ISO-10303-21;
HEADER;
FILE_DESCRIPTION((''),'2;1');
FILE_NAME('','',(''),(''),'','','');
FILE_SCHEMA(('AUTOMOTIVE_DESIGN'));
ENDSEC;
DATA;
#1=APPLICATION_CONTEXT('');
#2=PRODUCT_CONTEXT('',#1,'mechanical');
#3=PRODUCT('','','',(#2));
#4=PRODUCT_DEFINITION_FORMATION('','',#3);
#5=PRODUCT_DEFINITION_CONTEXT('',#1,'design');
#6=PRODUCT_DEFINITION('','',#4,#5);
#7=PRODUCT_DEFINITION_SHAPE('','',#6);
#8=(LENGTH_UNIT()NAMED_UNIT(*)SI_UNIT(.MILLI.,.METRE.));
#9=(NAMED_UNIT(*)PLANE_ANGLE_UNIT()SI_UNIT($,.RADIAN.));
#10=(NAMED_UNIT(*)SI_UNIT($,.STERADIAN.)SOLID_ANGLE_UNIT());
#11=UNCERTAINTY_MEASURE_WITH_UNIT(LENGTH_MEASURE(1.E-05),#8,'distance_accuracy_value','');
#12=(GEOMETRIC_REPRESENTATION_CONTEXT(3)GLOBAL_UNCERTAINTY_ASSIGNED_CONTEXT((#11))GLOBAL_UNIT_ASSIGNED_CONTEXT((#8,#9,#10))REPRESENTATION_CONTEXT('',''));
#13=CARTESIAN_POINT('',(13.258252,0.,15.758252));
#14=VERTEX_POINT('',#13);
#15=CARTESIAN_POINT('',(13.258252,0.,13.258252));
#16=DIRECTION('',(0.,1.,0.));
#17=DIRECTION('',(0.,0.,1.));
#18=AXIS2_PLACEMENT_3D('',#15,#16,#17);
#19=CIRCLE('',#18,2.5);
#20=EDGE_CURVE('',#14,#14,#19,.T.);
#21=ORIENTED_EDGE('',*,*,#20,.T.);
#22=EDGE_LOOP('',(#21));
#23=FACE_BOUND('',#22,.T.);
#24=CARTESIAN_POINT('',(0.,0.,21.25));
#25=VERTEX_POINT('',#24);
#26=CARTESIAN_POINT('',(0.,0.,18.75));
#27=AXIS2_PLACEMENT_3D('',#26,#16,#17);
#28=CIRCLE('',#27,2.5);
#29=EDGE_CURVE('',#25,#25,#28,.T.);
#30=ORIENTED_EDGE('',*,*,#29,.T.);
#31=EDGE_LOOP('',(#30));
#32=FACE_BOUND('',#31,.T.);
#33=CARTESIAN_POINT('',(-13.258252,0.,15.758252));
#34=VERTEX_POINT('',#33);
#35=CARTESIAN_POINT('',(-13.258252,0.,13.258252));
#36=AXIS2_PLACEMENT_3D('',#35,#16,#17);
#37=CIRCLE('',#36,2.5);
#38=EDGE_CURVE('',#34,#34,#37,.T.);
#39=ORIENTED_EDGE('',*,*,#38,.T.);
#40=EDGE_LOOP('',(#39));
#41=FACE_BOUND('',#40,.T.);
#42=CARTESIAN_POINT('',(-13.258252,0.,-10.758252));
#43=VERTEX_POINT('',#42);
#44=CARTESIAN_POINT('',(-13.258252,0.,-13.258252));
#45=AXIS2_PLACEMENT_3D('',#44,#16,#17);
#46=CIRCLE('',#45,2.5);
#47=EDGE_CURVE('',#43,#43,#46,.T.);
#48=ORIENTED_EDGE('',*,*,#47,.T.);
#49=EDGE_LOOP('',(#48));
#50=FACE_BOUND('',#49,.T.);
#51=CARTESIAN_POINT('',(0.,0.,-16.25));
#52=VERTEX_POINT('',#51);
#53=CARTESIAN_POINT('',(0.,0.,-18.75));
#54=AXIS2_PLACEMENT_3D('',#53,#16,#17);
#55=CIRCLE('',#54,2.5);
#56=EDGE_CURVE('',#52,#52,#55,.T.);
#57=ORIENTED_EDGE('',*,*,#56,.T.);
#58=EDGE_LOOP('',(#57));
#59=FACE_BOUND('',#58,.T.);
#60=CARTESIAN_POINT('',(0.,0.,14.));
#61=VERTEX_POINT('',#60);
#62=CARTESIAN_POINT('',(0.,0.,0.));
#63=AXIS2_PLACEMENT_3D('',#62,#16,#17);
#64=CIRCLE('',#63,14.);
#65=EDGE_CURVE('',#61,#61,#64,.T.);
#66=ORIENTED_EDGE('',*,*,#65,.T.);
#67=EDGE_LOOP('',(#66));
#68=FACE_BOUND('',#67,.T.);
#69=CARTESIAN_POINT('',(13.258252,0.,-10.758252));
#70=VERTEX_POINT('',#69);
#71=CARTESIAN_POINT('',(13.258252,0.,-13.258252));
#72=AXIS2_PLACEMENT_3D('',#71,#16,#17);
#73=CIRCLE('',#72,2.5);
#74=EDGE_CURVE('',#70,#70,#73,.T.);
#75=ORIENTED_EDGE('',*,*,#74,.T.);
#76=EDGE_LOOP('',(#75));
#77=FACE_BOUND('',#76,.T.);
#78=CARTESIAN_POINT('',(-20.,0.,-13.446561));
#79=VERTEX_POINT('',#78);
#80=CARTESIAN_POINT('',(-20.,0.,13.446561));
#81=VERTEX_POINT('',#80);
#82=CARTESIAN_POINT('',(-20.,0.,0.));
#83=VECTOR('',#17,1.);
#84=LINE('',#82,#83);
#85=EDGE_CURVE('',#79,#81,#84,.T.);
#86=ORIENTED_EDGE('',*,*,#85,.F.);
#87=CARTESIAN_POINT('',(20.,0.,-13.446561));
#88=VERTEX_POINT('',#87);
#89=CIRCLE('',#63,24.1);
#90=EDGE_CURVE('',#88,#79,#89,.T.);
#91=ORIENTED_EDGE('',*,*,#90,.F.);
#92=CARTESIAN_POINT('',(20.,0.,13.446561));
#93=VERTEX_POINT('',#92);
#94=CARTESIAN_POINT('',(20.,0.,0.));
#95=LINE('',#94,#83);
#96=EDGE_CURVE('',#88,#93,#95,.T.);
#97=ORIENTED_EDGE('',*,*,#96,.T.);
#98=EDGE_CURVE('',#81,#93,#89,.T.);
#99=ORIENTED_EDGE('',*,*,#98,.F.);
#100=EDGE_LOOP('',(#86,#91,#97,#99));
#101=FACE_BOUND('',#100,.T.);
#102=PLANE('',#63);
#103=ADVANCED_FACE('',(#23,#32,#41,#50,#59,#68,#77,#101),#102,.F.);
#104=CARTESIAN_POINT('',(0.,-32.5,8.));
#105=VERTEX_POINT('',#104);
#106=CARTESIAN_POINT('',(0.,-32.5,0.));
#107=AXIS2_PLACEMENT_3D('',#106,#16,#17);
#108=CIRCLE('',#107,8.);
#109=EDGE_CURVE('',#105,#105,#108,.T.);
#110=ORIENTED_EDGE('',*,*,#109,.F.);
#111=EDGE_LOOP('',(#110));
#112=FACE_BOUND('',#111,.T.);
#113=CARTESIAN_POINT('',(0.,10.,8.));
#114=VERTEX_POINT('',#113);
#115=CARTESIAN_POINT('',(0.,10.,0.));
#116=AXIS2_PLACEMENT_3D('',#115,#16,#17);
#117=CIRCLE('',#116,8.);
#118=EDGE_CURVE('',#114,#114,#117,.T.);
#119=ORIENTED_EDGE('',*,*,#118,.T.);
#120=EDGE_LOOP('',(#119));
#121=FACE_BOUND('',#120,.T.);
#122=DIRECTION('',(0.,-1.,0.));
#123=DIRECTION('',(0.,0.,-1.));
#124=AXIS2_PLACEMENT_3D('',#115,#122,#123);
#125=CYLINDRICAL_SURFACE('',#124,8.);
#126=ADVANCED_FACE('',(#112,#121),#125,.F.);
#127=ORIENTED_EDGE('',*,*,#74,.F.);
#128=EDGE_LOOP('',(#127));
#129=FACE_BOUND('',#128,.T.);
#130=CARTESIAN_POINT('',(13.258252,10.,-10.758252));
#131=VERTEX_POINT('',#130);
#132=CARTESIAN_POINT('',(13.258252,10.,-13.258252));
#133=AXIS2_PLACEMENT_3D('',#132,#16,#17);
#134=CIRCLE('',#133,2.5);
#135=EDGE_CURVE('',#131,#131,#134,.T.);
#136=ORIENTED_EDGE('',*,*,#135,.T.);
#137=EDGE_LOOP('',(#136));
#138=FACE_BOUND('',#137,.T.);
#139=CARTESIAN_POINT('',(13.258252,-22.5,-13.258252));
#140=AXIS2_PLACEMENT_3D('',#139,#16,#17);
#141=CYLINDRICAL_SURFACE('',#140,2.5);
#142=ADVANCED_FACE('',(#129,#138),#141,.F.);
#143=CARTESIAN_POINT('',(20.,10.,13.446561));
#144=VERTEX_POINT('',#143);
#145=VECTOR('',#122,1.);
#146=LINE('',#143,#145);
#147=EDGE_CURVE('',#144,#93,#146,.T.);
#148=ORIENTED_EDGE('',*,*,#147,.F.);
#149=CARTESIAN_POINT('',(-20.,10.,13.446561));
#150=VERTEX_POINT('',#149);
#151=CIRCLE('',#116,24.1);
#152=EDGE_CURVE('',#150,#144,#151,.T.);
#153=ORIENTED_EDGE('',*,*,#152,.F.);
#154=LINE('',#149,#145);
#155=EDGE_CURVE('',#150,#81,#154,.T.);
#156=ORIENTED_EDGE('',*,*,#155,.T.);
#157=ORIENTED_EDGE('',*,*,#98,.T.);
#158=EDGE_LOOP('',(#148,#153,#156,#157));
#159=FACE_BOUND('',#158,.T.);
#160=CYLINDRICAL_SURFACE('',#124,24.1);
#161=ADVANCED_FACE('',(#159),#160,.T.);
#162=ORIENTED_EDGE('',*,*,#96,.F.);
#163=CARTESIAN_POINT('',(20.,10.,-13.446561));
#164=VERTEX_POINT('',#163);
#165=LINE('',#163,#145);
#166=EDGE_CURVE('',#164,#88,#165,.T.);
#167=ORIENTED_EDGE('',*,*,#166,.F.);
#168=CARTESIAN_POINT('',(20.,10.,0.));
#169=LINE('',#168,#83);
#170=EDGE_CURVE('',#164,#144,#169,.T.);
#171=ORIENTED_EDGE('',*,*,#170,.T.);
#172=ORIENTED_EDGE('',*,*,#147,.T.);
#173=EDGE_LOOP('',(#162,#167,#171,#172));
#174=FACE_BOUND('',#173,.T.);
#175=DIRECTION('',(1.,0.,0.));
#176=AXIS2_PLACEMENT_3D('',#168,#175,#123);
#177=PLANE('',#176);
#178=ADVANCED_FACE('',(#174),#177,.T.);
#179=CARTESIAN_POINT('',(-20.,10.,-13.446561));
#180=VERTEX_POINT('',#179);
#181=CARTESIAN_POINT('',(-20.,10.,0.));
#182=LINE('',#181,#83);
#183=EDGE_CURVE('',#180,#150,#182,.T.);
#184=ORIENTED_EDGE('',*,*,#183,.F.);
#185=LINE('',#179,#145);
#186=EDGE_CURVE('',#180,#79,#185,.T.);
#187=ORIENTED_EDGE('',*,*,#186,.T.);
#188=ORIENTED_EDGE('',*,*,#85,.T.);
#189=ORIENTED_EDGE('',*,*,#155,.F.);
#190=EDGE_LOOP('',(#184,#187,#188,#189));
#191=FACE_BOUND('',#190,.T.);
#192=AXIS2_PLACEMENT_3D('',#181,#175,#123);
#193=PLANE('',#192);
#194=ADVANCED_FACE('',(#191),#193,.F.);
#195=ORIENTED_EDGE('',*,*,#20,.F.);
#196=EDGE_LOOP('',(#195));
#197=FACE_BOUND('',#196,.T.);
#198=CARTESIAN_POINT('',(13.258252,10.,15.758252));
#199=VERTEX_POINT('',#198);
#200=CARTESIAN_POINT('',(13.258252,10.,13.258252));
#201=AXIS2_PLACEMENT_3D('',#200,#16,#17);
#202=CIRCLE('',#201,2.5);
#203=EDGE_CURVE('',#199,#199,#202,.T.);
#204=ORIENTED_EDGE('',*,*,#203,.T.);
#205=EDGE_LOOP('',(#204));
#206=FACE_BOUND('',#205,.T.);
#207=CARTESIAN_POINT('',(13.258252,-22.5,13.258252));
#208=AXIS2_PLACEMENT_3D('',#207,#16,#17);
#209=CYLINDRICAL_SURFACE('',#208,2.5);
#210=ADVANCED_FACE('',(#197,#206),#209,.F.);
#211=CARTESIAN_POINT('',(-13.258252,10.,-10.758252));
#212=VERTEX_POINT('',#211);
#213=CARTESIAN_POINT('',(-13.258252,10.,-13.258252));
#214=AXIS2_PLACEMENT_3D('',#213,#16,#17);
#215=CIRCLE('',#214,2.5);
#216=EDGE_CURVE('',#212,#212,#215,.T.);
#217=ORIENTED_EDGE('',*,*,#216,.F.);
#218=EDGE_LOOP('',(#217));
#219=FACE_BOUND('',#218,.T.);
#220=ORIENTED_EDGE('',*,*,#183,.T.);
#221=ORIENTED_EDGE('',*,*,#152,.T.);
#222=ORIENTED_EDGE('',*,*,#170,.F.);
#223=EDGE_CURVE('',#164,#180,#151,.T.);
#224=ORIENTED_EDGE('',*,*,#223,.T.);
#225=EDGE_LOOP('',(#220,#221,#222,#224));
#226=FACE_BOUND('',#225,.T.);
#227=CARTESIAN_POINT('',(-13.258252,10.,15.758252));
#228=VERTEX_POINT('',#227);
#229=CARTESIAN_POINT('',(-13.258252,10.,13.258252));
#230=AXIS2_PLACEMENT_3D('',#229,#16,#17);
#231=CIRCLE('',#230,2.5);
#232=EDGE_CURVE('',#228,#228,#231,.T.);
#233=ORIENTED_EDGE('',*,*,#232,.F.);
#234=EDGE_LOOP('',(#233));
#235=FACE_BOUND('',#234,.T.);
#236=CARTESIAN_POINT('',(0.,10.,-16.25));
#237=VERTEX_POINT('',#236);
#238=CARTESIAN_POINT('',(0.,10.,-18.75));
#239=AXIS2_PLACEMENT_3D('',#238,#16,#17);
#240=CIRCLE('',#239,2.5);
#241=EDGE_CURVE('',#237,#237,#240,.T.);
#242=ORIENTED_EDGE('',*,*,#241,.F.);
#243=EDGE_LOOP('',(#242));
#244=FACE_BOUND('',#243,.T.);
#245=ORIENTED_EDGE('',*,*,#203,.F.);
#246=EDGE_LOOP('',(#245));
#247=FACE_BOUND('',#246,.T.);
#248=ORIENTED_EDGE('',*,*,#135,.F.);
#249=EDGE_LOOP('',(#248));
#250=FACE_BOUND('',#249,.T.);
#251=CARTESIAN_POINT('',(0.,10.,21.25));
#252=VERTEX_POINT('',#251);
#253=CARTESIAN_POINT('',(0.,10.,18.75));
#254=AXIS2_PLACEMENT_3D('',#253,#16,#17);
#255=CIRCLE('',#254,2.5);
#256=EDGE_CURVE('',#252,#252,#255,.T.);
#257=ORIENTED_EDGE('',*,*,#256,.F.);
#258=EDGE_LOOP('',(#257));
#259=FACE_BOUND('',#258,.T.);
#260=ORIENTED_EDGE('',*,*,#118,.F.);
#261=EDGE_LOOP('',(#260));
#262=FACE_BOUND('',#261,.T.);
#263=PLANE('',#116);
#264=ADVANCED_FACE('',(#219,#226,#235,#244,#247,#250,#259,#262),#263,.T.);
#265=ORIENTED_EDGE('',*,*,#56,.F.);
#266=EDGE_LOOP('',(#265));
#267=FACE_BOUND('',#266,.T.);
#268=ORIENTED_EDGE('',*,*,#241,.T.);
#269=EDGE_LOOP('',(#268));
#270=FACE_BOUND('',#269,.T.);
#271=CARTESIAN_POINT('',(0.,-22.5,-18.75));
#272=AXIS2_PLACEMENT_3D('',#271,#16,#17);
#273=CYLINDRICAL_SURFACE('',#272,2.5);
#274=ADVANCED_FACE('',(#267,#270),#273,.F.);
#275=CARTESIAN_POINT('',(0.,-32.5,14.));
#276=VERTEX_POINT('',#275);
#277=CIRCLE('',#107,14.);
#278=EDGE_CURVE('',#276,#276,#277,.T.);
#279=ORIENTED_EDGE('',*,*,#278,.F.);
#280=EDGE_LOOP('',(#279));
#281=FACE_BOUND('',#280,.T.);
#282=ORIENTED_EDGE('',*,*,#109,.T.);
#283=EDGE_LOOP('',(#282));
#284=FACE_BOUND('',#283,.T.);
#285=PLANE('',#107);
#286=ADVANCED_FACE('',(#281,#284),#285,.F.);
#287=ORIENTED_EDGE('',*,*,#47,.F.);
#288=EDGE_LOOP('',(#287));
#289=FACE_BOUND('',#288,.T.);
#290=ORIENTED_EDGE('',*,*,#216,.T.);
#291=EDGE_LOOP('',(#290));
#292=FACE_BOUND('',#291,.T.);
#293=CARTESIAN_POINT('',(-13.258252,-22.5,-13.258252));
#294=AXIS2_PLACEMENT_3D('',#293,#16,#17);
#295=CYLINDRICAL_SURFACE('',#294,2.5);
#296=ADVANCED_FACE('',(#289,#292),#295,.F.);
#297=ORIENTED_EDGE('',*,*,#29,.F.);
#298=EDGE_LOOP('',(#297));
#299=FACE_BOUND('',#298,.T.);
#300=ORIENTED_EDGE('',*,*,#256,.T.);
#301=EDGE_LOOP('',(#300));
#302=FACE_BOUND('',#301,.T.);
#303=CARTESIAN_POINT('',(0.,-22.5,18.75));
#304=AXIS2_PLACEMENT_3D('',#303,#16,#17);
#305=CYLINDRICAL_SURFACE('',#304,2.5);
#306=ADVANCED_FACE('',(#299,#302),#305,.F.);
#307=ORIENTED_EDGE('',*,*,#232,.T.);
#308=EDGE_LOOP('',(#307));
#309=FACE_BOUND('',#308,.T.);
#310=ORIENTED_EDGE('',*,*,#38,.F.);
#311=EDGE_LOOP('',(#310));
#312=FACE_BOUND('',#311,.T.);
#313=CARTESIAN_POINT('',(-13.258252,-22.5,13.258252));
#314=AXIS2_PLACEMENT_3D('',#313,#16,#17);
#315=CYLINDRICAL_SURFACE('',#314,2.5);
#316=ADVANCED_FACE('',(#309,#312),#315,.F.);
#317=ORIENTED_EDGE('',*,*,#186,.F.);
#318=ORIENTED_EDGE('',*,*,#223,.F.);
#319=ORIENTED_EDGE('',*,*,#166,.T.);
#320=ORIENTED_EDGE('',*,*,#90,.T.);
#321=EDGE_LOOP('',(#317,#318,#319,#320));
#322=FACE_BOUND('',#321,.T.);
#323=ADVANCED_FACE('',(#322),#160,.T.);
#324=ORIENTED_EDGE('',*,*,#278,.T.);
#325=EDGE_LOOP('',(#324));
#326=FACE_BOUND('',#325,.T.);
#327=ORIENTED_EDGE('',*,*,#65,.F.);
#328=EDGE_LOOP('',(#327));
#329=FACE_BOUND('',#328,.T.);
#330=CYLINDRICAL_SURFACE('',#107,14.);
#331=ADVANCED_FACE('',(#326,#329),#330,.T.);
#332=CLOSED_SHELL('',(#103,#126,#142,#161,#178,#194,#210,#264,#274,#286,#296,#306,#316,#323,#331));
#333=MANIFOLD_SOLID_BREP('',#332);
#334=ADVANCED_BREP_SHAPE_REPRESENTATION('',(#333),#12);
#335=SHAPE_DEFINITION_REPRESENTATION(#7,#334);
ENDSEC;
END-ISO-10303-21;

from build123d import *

# Parameters (mm, degrees)
SKETCH1_R           = 8
BOSS_EXTRUDE1_DEPTH = 10
BOSS_EXTRUDE2_START = -32.5
SKETCH1_3_R         = 14
SKETCH1_3_R_2       = 8
BOSS_EXTRUDE2_DEPTH = 32.5
SKETCH2_R           = 2.5
CUT_EXTRUDE1_DEPTH  = 32.5


with BuildPart() as part:
    # Sketch1 → Boss-Extrude1 (new body)
    with BuildSketch(Plane(origin=(0, 0, 0), x_dir=(1, 0, 0), z_dir=(0, 1, 0))):
        with BuildLine():
            ThreePointArc((20, 13.446560899), (0, 24.1), (-20, 13.446560899))
            Line((-20, 13.446560899), (-20, -13.446560899))
            ThreePointArc((-20, -13.446560899), (0, -24.1), (20, -13.446560899))
            Line((20, -13.446560899), (20, 13.446560899))
        make_face()
        Circle(SKETCH1_R, mode=Mode.SUBTRACT)
    extrude(amount=BOSS_EXTRUDE1_DEPTH)

    # Sketch1<3> → Boss-Extrude2 (add)
    with BuildSketch(Plane(origin=(0, 0, 0), x_dir=(1, 0, 0), z_dir=(0, 1, 0)).offset(BOSS_EXTRUDE2_START)):
        Circle(SKETCH1_3_R)
        Circle(SKETCH1_3_R_2, mode=Mode.SUBTRACT)
    extrude(amount=BOSS_EXTRUDE2_DEPTH)

    # Sketch2 → Cut-Extrude1 (cut)
    with BuildSketch(Plane(origin=(0, 10, 0), x_dir=(1, 0, 0), z_dir=(0, 1, 0))):
        with Locations((0, -18.75)):
            Circle(SKETCH2_R)
        with Locations((-13.258252147, -13.258252147)):
            Circle(SKETCH2_R)
        with Locations((-13.258252147, 13.258252147)):
            Circle(SKETCH2_R)
        with Locations((0, 18.75)):
            Circle(SKETCH2_R)
        with Locations((13.258252147, 13.258252147)):
            Circle(SKETCH2_R)
        with Locations((13.258252147, -13.258252147)):
            Circle(SKETCH2_R)
    extrude(amount=-CUT_EXTRUDE1_DEPTH, mode=Mode.SUBTRACT)


solid = part.part
